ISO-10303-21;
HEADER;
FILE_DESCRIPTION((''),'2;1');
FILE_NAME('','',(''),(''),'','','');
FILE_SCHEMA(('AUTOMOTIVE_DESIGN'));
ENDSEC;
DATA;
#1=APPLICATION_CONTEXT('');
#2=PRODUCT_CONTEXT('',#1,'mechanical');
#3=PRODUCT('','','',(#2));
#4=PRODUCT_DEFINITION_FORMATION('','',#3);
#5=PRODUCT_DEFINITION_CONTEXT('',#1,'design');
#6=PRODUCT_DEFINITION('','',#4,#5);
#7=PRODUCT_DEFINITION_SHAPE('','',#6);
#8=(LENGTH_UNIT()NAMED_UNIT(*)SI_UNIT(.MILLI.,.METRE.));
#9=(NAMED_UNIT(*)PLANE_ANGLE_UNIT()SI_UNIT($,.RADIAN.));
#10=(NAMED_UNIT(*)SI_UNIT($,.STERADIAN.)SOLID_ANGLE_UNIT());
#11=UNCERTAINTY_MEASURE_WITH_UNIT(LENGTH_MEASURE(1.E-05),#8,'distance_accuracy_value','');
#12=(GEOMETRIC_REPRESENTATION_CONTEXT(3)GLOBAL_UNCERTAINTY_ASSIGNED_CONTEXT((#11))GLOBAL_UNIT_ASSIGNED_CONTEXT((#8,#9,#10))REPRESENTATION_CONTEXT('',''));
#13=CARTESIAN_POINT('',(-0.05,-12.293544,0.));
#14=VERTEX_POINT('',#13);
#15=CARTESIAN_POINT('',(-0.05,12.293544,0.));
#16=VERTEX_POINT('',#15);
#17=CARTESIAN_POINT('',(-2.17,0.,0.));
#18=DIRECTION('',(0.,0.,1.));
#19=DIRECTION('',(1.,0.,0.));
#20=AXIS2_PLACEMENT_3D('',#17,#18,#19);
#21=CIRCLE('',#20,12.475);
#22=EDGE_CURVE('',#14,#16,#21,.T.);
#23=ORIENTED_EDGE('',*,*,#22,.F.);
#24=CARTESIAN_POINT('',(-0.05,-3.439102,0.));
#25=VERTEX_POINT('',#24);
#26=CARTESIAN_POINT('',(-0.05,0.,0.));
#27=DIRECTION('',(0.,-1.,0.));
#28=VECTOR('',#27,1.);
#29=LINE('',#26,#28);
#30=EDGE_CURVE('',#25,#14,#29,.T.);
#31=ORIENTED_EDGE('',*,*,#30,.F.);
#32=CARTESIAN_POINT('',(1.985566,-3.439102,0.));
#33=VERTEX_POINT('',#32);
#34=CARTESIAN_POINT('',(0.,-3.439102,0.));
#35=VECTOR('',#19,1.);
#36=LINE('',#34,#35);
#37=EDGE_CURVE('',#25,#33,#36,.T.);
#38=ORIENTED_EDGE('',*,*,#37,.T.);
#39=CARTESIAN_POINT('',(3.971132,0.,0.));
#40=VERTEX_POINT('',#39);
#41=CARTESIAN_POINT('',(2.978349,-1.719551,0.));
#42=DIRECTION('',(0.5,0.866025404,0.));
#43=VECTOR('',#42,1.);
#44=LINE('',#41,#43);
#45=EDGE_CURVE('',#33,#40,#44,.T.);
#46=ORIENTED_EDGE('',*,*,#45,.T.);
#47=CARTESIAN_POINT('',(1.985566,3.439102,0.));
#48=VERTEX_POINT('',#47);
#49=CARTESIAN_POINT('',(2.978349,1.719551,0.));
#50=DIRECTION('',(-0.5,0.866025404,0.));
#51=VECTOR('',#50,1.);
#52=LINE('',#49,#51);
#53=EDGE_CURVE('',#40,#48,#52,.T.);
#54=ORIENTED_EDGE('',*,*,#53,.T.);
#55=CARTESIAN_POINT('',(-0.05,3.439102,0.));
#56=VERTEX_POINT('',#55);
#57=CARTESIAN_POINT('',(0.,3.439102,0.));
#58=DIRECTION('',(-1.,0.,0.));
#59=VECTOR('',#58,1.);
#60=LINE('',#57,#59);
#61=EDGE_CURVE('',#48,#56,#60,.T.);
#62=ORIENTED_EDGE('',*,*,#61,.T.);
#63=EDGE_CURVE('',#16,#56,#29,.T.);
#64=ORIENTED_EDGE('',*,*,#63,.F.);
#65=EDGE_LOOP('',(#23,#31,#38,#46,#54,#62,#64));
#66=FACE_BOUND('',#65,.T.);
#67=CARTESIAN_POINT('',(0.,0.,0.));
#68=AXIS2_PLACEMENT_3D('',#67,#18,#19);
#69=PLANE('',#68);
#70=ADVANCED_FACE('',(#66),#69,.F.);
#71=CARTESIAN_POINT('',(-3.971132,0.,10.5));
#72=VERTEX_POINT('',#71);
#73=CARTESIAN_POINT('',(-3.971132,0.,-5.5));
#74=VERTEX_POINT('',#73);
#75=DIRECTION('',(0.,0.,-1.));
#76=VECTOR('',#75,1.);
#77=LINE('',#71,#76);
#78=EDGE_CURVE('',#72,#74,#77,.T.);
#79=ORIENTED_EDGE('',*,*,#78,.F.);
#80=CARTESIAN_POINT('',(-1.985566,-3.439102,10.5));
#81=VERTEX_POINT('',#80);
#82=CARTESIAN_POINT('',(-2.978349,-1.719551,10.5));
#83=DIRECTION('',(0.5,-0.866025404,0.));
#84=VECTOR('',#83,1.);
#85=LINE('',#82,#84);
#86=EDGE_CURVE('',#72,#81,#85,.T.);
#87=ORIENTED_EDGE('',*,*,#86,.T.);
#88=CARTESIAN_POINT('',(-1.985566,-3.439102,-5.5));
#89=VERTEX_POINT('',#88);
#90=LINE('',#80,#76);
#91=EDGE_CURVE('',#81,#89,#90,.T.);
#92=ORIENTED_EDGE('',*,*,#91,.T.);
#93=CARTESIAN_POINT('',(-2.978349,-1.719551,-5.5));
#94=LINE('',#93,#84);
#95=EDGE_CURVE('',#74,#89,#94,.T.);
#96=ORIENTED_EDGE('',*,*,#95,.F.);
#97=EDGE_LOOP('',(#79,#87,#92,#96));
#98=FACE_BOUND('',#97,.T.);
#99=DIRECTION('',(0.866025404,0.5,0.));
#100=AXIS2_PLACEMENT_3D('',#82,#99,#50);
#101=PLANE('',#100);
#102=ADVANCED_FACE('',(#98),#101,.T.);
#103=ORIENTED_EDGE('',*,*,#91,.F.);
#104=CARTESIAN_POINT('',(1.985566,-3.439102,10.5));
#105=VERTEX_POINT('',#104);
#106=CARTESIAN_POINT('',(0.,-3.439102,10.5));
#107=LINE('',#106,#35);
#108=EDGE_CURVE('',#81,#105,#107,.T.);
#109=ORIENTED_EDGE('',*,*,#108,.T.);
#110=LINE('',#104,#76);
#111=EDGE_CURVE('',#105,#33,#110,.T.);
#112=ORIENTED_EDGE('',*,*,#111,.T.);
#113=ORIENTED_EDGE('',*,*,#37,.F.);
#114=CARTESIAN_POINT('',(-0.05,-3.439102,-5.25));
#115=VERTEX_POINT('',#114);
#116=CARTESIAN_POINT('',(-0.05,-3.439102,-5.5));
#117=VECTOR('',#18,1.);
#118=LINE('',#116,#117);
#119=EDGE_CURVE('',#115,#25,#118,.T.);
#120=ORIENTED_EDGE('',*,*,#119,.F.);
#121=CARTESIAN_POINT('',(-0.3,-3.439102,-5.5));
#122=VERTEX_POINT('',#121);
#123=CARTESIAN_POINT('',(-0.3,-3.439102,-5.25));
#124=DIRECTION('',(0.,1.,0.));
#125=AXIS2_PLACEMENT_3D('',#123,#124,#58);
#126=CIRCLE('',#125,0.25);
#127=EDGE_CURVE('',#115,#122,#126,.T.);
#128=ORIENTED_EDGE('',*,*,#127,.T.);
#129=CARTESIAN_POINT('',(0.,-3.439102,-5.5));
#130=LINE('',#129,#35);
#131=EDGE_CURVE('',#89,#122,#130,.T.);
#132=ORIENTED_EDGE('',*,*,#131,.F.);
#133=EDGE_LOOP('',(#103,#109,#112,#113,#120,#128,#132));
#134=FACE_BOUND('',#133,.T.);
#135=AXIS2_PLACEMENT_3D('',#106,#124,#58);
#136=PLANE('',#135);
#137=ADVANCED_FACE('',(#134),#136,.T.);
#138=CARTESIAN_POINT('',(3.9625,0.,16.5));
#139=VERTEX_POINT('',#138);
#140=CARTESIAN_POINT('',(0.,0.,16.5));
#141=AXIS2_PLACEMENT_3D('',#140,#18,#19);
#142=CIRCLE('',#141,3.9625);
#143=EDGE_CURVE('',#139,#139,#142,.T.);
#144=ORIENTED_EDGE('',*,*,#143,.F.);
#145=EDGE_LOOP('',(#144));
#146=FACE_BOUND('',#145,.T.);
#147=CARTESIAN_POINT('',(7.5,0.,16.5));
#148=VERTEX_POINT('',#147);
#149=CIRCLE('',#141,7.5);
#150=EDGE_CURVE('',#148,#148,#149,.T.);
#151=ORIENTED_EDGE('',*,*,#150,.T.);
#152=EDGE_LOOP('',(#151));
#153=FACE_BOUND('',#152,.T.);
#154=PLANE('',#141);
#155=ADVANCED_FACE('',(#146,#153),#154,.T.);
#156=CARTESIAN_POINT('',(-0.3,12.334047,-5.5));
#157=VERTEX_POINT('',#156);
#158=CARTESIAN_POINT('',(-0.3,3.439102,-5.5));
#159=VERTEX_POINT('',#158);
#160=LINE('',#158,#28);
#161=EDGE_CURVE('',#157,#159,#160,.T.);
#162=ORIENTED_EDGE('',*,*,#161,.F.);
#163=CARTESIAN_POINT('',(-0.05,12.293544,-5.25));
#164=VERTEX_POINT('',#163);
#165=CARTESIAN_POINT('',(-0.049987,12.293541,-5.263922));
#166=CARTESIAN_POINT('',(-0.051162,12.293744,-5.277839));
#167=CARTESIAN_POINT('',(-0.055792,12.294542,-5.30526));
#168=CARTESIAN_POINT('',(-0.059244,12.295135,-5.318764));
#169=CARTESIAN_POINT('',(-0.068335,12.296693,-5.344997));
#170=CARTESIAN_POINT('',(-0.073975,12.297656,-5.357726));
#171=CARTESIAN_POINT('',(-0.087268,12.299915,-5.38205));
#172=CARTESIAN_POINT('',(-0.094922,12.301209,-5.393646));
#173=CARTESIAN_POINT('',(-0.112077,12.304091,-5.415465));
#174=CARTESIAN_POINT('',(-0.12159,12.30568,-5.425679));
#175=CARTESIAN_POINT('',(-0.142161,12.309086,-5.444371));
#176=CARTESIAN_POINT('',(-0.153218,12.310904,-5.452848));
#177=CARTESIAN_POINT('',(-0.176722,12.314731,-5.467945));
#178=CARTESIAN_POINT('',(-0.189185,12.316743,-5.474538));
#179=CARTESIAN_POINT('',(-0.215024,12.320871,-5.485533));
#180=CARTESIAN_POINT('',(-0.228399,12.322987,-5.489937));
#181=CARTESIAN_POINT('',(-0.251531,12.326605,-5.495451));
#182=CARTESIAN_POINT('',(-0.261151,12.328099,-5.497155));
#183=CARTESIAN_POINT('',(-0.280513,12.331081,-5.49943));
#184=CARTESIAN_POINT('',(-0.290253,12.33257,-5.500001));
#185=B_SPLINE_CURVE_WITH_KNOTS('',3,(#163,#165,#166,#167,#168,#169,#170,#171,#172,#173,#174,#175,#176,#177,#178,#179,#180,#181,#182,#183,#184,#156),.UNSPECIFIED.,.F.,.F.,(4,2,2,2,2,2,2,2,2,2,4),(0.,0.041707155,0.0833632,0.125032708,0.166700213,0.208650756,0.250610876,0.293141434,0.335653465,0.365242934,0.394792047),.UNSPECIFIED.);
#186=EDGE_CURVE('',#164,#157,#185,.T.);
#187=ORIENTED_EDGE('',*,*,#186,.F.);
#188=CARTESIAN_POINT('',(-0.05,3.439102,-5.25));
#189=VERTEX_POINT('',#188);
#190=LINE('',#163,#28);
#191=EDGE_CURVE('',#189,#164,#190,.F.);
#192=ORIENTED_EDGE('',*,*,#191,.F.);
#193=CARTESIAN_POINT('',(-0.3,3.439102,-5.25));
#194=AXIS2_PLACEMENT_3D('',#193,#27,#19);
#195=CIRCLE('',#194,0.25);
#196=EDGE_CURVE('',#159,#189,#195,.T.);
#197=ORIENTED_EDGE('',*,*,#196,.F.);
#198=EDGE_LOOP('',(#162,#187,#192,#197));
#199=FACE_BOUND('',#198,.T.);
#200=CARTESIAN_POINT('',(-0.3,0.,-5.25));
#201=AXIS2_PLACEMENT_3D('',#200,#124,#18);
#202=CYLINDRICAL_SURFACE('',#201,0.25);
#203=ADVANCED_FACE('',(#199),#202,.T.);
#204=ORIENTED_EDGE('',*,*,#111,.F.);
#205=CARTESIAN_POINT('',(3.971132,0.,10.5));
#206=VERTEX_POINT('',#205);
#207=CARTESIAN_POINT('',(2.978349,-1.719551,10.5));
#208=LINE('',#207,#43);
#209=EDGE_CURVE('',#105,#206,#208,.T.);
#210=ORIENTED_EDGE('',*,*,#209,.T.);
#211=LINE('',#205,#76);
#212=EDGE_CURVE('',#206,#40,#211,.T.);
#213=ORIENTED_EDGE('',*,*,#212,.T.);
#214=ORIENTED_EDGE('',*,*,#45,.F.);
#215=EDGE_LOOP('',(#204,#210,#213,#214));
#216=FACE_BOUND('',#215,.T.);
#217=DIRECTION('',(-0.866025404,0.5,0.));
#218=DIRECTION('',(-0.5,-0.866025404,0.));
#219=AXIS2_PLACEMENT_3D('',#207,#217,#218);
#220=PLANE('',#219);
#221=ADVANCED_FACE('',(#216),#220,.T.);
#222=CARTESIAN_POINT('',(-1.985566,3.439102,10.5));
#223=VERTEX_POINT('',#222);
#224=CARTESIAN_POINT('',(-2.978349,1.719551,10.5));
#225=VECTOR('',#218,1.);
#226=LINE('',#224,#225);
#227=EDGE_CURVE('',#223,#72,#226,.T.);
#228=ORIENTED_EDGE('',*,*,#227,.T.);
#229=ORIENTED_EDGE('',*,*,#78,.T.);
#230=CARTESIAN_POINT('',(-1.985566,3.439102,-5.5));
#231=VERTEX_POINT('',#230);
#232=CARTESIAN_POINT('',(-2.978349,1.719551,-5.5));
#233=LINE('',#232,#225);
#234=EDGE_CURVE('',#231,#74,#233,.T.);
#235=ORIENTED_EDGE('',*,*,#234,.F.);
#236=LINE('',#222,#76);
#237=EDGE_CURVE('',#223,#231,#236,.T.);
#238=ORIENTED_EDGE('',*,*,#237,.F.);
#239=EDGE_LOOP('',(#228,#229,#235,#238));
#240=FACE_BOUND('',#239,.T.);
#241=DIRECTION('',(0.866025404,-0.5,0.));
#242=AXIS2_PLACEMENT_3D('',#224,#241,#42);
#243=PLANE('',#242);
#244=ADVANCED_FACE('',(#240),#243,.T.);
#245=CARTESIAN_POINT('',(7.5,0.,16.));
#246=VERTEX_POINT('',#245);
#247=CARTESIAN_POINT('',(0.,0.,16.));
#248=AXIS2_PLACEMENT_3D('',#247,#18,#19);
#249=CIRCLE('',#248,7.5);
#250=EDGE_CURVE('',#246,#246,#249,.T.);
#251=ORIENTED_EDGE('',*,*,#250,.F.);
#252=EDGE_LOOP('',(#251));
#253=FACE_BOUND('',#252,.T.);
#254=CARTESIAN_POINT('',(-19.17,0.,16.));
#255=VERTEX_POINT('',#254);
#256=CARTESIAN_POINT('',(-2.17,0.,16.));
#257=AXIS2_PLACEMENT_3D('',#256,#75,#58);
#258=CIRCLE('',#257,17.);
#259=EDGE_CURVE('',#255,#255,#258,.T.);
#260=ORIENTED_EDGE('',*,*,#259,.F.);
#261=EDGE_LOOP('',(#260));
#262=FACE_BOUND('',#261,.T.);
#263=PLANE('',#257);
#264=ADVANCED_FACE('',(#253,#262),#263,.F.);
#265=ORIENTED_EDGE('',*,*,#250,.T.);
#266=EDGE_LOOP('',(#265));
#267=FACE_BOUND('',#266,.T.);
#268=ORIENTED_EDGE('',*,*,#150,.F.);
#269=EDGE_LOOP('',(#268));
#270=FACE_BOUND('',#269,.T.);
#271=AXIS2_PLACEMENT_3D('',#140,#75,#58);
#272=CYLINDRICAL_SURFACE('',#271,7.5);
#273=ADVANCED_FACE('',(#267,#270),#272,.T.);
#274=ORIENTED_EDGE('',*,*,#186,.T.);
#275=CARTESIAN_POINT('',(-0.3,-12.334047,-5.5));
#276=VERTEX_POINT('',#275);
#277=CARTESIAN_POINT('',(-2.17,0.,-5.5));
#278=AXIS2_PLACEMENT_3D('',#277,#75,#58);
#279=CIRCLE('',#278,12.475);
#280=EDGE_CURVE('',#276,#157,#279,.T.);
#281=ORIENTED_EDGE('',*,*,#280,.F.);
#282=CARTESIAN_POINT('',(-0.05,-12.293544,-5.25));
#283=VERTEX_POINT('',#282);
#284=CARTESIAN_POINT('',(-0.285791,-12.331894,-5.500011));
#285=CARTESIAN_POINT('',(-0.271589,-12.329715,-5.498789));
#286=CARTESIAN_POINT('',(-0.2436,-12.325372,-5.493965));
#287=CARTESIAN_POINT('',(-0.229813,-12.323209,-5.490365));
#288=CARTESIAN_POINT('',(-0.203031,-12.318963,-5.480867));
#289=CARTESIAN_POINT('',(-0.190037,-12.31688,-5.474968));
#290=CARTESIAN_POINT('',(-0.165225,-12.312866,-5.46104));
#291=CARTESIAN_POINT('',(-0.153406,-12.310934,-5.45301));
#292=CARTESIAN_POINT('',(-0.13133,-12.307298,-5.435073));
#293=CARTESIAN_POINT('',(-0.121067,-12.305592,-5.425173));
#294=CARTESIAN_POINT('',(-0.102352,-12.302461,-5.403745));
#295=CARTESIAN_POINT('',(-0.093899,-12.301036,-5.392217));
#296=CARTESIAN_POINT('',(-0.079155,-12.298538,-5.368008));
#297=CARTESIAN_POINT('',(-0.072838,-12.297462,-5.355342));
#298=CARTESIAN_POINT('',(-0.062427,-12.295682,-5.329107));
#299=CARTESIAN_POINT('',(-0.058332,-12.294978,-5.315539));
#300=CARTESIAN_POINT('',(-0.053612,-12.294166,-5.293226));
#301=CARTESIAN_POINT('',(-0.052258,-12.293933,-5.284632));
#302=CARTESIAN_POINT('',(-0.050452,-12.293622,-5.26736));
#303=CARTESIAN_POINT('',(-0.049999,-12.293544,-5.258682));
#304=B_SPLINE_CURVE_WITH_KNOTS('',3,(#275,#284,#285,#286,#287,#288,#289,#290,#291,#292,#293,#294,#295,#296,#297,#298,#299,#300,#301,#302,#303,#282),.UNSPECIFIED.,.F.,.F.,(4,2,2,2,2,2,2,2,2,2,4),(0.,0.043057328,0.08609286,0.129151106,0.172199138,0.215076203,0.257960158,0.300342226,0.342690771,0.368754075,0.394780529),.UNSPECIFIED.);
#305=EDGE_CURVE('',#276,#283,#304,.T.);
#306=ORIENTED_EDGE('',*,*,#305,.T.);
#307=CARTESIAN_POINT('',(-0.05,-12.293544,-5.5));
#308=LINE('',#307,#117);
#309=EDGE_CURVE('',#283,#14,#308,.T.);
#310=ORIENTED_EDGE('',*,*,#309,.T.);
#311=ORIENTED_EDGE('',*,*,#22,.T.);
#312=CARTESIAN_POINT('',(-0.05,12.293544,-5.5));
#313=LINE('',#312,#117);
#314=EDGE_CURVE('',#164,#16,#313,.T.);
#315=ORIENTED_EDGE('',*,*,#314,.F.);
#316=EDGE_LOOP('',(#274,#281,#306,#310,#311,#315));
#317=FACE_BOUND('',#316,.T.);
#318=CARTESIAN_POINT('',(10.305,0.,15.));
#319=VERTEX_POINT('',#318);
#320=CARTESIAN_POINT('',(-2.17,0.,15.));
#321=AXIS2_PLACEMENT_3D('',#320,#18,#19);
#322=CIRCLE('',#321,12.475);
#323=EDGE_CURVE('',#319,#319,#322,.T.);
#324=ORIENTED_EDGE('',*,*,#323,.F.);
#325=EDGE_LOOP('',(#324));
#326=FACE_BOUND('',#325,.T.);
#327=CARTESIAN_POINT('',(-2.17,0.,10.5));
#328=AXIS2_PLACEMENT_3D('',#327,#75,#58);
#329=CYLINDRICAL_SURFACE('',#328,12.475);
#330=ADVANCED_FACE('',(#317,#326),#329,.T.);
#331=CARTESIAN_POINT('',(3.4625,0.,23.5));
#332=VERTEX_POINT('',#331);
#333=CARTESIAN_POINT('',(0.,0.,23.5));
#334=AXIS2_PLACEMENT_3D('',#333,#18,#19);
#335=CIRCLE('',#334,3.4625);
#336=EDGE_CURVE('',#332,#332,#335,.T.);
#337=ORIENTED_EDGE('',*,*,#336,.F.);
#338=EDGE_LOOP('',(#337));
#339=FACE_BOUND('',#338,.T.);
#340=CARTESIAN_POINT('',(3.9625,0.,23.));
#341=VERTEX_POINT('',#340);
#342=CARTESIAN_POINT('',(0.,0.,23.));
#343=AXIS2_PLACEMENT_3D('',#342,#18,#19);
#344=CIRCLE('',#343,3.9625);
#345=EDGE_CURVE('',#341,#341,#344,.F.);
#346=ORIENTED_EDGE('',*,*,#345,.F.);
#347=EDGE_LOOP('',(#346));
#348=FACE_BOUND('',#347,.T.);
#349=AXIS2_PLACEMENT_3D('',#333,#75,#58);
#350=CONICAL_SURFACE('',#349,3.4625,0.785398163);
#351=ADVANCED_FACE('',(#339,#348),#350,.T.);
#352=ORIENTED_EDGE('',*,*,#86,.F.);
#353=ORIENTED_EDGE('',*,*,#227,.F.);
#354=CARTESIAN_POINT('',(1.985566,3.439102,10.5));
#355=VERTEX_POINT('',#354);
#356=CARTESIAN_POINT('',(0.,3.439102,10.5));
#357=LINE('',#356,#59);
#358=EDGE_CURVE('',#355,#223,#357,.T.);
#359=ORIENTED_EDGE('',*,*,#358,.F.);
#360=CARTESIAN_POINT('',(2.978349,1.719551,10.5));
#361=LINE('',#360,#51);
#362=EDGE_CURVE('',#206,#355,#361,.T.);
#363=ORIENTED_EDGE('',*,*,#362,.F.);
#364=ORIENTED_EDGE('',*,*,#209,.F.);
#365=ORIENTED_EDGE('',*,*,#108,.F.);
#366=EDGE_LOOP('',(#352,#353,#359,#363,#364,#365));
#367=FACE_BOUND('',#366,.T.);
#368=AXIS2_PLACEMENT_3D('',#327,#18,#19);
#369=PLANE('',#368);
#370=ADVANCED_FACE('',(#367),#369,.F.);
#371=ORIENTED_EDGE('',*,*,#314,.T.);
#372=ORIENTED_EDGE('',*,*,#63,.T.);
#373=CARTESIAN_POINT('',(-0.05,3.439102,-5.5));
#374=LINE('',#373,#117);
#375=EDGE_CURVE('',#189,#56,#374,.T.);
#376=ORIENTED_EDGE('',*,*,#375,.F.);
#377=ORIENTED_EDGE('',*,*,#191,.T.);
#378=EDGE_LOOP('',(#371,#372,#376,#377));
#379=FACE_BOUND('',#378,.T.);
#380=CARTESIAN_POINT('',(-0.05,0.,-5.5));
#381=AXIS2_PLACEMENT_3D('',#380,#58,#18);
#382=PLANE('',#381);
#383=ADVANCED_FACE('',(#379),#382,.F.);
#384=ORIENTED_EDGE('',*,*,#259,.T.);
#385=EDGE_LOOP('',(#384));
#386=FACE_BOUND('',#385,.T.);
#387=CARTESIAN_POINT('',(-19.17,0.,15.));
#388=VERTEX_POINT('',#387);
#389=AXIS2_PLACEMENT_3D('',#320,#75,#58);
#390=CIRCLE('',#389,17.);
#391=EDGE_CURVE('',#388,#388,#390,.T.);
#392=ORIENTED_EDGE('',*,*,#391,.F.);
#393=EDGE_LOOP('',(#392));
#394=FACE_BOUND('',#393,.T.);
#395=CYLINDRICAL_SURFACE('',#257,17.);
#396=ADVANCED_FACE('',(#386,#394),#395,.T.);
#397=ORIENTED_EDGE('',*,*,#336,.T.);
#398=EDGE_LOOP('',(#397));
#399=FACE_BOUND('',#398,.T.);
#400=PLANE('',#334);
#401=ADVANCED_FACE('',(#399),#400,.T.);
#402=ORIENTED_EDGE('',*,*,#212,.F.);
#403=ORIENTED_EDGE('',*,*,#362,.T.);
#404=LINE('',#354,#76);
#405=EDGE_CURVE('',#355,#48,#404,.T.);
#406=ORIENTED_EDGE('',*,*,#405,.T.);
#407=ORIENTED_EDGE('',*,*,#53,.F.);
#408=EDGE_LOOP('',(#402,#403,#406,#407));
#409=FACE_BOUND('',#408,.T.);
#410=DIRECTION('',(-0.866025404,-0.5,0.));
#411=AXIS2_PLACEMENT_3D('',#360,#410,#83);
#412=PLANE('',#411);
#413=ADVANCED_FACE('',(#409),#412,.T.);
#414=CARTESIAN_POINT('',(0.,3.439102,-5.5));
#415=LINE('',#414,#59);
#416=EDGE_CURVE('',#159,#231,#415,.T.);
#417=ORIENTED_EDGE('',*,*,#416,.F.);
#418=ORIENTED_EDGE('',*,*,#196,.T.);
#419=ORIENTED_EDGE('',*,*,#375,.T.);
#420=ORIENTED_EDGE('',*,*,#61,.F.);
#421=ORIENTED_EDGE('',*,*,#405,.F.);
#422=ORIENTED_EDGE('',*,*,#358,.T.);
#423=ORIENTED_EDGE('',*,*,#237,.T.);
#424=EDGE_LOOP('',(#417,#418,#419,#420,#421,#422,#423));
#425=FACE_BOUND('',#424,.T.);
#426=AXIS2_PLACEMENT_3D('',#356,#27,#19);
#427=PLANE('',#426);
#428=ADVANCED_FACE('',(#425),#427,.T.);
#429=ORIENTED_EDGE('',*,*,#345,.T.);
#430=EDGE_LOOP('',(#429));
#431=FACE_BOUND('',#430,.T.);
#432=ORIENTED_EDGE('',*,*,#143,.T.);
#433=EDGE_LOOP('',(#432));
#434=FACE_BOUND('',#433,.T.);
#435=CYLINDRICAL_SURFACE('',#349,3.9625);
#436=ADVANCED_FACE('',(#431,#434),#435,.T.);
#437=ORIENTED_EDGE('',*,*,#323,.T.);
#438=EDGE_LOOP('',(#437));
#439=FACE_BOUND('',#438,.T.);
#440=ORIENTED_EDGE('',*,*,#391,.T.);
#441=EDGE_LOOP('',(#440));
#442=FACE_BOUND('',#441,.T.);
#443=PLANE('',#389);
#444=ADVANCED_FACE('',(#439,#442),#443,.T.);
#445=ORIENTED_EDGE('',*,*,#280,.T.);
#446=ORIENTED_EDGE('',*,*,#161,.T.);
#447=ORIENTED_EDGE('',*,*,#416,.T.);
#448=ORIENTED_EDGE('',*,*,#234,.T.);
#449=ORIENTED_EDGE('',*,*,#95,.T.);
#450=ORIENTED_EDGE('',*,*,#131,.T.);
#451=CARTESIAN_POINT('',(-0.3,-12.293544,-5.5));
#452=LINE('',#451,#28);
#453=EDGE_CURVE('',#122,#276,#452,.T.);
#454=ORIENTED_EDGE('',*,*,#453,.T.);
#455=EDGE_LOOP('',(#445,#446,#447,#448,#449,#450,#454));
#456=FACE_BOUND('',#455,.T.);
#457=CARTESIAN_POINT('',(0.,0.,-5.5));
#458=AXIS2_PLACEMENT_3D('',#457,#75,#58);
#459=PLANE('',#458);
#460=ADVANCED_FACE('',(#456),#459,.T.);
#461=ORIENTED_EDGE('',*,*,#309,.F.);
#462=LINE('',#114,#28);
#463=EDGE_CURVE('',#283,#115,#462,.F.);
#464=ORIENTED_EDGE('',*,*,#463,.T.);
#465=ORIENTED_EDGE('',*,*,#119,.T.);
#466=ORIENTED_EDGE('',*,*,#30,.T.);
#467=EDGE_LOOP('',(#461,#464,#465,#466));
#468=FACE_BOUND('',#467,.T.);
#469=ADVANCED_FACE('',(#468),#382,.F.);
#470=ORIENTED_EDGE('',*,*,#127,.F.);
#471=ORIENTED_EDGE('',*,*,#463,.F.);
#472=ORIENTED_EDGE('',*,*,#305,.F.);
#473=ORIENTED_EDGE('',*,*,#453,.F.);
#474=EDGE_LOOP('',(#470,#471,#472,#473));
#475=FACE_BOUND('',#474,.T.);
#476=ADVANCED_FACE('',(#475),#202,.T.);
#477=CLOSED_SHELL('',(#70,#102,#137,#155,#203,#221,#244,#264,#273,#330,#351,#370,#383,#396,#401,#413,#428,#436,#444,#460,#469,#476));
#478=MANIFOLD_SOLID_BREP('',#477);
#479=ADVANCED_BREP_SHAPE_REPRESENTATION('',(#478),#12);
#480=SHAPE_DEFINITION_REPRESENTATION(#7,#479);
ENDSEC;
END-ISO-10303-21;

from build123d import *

# Parameters (mm, degrees)
SKETCH1_R           = 12.475
BOSS_EXTRUDE1_DEPTH = 10.5
SKETCH6_R           = 12.475
BOSS_EXTRUDE7_DEPTH = 4.5
SKETCH3_R           = 17
BOSS_EXTRUDE3_DEPTH = 1
SKETCH4_R           = 7.5
BOSS_EXTRUDE5_DEPTH = 0.5
SKETCH5_R           = 3.9625
BOSS_EXTRUDE6_DEPTH = 7
BOSS_EXTRUDE8_START = 5.5
BOSS_EXTRUDE8_DEPTH = 5.5
CHAMFER1_SIZE       = 0.5
FILLET1_R           = 0.25


with BuildPart() as part:
    # Sketch1 → Boss-Extrude1 (new body)
    # profile 1 of 2: a face of its own
    with BuildSketch(Plane.XY):
        with BuildLine():
            Line((-4, 0), (-2, 3.464101615))
            ThreePointArc((-2, 3.464101615), (-3.464101615, 2), (-4, 0))
        make_face()
    # profile 2 of 2: a face of its own
    with BuildSketch(Plane.XY):
        with Locations(Location((-2.17, 0, 0), (0, 0, 180))):
            Circle(SKETCH1_R)
        Polygon((1.985566243, -3.439101615), (3.971132487, 0), (1.985566243, 3.439101615), (-1.985566243, 3.439101615), (-3.971132487, 0), (-1.985566243, -3.439101615), align=None, mode=Mode.SUBTRACT)
    extrude(amount=BOSS_EXTRUDE1_DEPTH)

    # Sketch6 → Boss-Extrude7 (add)
    with BuildSketch(Plane.XY.offset(10.5)):
        with Locations(Location((-2.17, 0, 0), (0, 0, 180))):
            Circle(SKETCH6_R)
    extrude(amount=BOSS_EXTRUDE7_DEPTH)

    # Sketch3 → Boss-Extrude3 (add)
    with BuildSketch(Plane(origin=(0, 0, 15), x_dir=(-1, 0, 0), z_dir=(0, 0, -1))):
        with Locations((2.17, 0)):
            Circle(SKETCH3_R)
    extrude(amount=-BOSS_EXTRUDE3_DEPTH)

    # Sketch4 → Boss-Extrude5 (add)
    with BuildSketch(Plane.XY.offset(16)):
        Circle(SKETCH4_R)
    extrude(amount=BOSS_EXTRUDE5_DEPTH)

    # Sketch5 → Boss-Extrude6 (add)
    with BuildSketch(Plane.XY.offset(16.5)):
        Circle(SKETCH5_R)
    extrude(amount=BOSS_EXTRUDE6_DEPTH)

    # Sketch7 → Boss-Extrude8 (add)
    with BuildSketch(Plane(origin=(0, 0, 0), x_dir=(-1, 0, 0), z_dir=(0, 0, -1)).offset(BOSS_EXTRUDE8_START)):
        with BuildLine():
            ThreePointArc((14.645, 0), (10.206747632, 9.541295116), (0.05, 12.293544037))
            Line((0.05, 12.293544037), (0.05, 3.439101615))
            Line((0.05, 3.439101615), (1.985566243, 3.439101615))
            Line((1.985566243, 3.439101615), (3.971132487, 0))
            Line((3.971132487, 0), (1.985566243, -3.439101615))
            Line((1.985566243, -3.439101615), (0.05, -3.439101615))
            Line((0.05, -3.439101615), (0.05, -12.293544037))
            ThreePointArc((0.05, -12.293544037), (10.206747632, -9.541295116), (14.645, 0))
        make_face()
    extrude(amount=-BOSS_EXTRUDE8_DEPTH)

    # Chamfer1
    chamfer1_edges = [part.edges().sort_by_distance(p)[0] for p in [
        (-3.9625, 0, 23.5),
    ]]
    chamfer(chamfer1_edges, length=CHAMFER1_SIZE)

    # Fillet1
    fillet1_edges = [part.edges().sort_by_distance(p)[0] for p in [
        (-0.05, 7.866322826, -5.5),
        (-0.05, -7.866322826, -5.5),
    ]]
    fillet(fillet1_edges, radius=FILLET1_R)


solid = part.part
